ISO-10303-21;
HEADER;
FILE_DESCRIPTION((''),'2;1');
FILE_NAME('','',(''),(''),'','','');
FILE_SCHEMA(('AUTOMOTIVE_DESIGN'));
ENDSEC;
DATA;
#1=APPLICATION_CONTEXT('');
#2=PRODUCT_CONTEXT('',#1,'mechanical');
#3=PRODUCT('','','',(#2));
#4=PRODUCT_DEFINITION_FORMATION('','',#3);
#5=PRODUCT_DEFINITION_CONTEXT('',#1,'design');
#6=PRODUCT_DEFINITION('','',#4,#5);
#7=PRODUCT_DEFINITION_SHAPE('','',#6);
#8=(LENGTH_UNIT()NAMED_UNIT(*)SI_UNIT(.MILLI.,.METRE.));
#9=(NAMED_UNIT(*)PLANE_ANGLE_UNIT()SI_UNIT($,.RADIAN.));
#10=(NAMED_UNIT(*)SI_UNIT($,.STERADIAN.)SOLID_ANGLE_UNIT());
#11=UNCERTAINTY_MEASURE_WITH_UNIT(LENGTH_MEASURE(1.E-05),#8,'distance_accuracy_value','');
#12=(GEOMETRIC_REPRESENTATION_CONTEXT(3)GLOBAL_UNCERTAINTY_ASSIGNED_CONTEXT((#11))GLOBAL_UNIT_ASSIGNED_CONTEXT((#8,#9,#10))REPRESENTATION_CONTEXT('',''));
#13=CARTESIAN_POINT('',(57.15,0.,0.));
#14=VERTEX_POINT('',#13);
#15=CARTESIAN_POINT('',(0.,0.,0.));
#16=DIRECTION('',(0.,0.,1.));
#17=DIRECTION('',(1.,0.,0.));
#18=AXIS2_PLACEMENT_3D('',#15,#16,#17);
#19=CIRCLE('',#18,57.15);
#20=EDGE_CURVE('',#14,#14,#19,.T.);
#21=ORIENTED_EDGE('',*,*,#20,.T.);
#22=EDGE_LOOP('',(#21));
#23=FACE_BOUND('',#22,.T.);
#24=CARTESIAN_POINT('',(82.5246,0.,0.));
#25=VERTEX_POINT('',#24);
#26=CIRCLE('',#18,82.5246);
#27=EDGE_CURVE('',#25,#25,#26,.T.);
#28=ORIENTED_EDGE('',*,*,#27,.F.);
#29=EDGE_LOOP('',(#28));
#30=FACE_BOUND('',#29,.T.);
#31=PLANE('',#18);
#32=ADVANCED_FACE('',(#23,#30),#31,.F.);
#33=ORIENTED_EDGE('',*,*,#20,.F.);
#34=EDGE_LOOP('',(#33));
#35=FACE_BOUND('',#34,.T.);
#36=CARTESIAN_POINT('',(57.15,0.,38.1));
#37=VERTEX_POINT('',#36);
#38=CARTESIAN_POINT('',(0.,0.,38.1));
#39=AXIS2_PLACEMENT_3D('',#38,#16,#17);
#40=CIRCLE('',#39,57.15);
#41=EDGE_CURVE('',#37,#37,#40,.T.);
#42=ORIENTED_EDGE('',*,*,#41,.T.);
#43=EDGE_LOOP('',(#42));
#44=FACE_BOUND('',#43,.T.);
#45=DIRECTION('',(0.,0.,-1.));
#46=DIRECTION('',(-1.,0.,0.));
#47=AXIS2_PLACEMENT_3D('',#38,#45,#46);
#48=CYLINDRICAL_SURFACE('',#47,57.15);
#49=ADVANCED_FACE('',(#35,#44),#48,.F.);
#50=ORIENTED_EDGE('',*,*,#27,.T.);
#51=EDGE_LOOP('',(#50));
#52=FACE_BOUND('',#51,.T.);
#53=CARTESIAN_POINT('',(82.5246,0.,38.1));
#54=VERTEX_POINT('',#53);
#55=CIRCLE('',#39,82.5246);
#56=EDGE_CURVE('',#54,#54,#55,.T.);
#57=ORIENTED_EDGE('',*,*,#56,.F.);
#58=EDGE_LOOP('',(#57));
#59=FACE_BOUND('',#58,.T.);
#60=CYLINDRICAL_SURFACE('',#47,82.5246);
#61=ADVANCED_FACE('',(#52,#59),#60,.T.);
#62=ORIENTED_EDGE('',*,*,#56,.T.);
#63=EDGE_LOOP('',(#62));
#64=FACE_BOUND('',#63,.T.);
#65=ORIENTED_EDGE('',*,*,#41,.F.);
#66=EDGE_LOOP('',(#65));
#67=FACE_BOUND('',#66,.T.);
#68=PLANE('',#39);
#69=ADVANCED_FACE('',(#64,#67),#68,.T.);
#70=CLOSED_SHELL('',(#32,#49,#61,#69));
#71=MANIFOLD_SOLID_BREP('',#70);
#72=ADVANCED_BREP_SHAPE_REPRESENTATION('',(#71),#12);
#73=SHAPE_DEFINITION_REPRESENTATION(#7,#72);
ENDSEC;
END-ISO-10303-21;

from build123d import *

# Parameters (mm, degrees)
SKETCH1_R           = 82.5246
BOSS_EXTRUDE1_DEPTH = 38.1
SKETCH2_R           = 57.15
CUT_EXTRUDE1_DEPTH  = 123.769007532


with BuildPart() as part:
    # Sketch1 → Boss-Extrude1 (new body)
    with BuildSketch(Plane.XY):
        Circle(SKETCH1_R)
    extrude(amount=BOSS_EXTRUDE1_DEPTH)

    # Sketch2 → Cut-Extrude1 (cut, through all)
    with BuildSketch(Plane.XY):
        Circle(SKETCH2_R)
    extrude(amount=CUT_EXTRUDE1_DEPTH, mode=Mode.SUBTRACT)


solid = part.part
